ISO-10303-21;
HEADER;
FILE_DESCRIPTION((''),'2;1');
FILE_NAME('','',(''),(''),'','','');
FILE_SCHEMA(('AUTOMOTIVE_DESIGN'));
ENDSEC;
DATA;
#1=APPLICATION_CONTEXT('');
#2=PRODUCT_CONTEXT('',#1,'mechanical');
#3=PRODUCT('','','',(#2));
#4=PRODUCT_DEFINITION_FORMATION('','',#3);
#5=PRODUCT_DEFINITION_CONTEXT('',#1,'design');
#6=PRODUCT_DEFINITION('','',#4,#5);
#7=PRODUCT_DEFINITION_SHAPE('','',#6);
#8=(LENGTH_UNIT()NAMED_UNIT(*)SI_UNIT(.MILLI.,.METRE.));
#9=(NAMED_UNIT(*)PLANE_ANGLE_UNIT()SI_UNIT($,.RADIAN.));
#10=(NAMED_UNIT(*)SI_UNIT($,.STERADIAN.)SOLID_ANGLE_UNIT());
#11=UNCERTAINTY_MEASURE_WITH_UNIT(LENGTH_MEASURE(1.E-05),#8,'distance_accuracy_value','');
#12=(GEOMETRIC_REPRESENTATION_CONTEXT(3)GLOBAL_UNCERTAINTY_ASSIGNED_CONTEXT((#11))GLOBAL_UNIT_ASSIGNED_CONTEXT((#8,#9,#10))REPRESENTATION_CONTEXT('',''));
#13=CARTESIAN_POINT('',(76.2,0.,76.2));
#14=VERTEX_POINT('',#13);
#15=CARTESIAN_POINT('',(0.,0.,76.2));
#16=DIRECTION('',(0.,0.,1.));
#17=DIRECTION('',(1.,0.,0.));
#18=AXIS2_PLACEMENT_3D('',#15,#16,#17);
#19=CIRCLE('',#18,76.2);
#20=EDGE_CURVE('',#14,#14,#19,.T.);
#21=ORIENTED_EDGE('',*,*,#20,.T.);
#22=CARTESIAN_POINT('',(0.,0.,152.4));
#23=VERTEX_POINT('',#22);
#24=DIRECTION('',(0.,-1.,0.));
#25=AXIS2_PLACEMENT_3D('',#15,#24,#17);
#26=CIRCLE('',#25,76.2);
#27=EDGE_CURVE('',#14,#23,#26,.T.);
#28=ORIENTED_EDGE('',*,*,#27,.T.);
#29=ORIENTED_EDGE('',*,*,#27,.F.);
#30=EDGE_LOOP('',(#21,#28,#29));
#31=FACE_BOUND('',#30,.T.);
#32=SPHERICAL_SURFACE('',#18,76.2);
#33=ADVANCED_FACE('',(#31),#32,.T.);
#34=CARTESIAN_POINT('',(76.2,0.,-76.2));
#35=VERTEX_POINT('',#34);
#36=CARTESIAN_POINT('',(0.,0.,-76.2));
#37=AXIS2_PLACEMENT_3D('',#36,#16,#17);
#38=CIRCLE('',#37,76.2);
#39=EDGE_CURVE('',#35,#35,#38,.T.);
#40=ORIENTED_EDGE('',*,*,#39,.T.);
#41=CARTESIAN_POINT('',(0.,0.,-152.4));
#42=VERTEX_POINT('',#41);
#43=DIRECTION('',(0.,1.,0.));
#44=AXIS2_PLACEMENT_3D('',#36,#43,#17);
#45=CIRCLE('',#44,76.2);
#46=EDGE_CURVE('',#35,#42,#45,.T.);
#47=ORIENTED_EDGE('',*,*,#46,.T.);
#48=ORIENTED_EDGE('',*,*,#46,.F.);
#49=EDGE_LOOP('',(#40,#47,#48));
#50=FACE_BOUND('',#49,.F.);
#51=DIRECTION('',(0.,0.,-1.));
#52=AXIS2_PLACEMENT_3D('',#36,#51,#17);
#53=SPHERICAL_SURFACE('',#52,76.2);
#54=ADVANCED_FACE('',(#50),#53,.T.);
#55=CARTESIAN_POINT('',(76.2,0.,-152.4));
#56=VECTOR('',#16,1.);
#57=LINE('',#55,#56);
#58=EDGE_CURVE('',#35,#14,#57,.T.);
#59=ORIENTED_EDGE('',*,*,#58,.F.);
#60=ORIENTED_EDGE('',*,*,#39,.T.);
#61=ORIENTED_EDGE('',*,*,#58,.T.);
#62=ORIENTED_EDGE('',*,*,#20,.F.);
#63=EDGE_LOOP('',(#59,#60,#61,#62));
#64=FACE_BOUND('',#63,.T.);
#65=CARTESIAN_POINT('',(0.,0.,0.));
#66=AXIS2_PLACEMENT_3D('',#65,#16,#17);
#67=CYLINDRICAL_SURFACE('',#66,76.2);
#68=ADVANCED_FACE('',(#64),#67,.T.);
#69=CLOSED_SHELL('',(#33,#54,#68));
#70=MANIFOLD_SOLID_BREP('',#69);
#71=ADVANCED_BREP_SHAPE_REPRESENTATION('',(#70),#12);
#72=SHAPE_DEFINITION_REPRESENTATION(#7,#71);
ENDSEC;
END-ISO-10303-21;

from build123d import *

# Parameters (mm, degrees)
F0_R     = 76.2
F1_DEPTH = 152.4
F2_R     = 76.2


with BuildPart() as f1:
    # F0 (on Top) → F1 (new body, symmetric)
    with BuildSketch(Plane.XY):
        Circle(F0_R)
    extrude(amount=F1_DEPTH, both=True)

    # F2
    f2_edges = [f1.edges().sort_by_distance(p)[0] for p in [
        (-76.2, 0, -152.4),
        (76.2, 0, 0),
        (-76.2, 0, 152.4),
    ]]
    fillet(f2_edges, radius=F2_R)


solid = f1.part
